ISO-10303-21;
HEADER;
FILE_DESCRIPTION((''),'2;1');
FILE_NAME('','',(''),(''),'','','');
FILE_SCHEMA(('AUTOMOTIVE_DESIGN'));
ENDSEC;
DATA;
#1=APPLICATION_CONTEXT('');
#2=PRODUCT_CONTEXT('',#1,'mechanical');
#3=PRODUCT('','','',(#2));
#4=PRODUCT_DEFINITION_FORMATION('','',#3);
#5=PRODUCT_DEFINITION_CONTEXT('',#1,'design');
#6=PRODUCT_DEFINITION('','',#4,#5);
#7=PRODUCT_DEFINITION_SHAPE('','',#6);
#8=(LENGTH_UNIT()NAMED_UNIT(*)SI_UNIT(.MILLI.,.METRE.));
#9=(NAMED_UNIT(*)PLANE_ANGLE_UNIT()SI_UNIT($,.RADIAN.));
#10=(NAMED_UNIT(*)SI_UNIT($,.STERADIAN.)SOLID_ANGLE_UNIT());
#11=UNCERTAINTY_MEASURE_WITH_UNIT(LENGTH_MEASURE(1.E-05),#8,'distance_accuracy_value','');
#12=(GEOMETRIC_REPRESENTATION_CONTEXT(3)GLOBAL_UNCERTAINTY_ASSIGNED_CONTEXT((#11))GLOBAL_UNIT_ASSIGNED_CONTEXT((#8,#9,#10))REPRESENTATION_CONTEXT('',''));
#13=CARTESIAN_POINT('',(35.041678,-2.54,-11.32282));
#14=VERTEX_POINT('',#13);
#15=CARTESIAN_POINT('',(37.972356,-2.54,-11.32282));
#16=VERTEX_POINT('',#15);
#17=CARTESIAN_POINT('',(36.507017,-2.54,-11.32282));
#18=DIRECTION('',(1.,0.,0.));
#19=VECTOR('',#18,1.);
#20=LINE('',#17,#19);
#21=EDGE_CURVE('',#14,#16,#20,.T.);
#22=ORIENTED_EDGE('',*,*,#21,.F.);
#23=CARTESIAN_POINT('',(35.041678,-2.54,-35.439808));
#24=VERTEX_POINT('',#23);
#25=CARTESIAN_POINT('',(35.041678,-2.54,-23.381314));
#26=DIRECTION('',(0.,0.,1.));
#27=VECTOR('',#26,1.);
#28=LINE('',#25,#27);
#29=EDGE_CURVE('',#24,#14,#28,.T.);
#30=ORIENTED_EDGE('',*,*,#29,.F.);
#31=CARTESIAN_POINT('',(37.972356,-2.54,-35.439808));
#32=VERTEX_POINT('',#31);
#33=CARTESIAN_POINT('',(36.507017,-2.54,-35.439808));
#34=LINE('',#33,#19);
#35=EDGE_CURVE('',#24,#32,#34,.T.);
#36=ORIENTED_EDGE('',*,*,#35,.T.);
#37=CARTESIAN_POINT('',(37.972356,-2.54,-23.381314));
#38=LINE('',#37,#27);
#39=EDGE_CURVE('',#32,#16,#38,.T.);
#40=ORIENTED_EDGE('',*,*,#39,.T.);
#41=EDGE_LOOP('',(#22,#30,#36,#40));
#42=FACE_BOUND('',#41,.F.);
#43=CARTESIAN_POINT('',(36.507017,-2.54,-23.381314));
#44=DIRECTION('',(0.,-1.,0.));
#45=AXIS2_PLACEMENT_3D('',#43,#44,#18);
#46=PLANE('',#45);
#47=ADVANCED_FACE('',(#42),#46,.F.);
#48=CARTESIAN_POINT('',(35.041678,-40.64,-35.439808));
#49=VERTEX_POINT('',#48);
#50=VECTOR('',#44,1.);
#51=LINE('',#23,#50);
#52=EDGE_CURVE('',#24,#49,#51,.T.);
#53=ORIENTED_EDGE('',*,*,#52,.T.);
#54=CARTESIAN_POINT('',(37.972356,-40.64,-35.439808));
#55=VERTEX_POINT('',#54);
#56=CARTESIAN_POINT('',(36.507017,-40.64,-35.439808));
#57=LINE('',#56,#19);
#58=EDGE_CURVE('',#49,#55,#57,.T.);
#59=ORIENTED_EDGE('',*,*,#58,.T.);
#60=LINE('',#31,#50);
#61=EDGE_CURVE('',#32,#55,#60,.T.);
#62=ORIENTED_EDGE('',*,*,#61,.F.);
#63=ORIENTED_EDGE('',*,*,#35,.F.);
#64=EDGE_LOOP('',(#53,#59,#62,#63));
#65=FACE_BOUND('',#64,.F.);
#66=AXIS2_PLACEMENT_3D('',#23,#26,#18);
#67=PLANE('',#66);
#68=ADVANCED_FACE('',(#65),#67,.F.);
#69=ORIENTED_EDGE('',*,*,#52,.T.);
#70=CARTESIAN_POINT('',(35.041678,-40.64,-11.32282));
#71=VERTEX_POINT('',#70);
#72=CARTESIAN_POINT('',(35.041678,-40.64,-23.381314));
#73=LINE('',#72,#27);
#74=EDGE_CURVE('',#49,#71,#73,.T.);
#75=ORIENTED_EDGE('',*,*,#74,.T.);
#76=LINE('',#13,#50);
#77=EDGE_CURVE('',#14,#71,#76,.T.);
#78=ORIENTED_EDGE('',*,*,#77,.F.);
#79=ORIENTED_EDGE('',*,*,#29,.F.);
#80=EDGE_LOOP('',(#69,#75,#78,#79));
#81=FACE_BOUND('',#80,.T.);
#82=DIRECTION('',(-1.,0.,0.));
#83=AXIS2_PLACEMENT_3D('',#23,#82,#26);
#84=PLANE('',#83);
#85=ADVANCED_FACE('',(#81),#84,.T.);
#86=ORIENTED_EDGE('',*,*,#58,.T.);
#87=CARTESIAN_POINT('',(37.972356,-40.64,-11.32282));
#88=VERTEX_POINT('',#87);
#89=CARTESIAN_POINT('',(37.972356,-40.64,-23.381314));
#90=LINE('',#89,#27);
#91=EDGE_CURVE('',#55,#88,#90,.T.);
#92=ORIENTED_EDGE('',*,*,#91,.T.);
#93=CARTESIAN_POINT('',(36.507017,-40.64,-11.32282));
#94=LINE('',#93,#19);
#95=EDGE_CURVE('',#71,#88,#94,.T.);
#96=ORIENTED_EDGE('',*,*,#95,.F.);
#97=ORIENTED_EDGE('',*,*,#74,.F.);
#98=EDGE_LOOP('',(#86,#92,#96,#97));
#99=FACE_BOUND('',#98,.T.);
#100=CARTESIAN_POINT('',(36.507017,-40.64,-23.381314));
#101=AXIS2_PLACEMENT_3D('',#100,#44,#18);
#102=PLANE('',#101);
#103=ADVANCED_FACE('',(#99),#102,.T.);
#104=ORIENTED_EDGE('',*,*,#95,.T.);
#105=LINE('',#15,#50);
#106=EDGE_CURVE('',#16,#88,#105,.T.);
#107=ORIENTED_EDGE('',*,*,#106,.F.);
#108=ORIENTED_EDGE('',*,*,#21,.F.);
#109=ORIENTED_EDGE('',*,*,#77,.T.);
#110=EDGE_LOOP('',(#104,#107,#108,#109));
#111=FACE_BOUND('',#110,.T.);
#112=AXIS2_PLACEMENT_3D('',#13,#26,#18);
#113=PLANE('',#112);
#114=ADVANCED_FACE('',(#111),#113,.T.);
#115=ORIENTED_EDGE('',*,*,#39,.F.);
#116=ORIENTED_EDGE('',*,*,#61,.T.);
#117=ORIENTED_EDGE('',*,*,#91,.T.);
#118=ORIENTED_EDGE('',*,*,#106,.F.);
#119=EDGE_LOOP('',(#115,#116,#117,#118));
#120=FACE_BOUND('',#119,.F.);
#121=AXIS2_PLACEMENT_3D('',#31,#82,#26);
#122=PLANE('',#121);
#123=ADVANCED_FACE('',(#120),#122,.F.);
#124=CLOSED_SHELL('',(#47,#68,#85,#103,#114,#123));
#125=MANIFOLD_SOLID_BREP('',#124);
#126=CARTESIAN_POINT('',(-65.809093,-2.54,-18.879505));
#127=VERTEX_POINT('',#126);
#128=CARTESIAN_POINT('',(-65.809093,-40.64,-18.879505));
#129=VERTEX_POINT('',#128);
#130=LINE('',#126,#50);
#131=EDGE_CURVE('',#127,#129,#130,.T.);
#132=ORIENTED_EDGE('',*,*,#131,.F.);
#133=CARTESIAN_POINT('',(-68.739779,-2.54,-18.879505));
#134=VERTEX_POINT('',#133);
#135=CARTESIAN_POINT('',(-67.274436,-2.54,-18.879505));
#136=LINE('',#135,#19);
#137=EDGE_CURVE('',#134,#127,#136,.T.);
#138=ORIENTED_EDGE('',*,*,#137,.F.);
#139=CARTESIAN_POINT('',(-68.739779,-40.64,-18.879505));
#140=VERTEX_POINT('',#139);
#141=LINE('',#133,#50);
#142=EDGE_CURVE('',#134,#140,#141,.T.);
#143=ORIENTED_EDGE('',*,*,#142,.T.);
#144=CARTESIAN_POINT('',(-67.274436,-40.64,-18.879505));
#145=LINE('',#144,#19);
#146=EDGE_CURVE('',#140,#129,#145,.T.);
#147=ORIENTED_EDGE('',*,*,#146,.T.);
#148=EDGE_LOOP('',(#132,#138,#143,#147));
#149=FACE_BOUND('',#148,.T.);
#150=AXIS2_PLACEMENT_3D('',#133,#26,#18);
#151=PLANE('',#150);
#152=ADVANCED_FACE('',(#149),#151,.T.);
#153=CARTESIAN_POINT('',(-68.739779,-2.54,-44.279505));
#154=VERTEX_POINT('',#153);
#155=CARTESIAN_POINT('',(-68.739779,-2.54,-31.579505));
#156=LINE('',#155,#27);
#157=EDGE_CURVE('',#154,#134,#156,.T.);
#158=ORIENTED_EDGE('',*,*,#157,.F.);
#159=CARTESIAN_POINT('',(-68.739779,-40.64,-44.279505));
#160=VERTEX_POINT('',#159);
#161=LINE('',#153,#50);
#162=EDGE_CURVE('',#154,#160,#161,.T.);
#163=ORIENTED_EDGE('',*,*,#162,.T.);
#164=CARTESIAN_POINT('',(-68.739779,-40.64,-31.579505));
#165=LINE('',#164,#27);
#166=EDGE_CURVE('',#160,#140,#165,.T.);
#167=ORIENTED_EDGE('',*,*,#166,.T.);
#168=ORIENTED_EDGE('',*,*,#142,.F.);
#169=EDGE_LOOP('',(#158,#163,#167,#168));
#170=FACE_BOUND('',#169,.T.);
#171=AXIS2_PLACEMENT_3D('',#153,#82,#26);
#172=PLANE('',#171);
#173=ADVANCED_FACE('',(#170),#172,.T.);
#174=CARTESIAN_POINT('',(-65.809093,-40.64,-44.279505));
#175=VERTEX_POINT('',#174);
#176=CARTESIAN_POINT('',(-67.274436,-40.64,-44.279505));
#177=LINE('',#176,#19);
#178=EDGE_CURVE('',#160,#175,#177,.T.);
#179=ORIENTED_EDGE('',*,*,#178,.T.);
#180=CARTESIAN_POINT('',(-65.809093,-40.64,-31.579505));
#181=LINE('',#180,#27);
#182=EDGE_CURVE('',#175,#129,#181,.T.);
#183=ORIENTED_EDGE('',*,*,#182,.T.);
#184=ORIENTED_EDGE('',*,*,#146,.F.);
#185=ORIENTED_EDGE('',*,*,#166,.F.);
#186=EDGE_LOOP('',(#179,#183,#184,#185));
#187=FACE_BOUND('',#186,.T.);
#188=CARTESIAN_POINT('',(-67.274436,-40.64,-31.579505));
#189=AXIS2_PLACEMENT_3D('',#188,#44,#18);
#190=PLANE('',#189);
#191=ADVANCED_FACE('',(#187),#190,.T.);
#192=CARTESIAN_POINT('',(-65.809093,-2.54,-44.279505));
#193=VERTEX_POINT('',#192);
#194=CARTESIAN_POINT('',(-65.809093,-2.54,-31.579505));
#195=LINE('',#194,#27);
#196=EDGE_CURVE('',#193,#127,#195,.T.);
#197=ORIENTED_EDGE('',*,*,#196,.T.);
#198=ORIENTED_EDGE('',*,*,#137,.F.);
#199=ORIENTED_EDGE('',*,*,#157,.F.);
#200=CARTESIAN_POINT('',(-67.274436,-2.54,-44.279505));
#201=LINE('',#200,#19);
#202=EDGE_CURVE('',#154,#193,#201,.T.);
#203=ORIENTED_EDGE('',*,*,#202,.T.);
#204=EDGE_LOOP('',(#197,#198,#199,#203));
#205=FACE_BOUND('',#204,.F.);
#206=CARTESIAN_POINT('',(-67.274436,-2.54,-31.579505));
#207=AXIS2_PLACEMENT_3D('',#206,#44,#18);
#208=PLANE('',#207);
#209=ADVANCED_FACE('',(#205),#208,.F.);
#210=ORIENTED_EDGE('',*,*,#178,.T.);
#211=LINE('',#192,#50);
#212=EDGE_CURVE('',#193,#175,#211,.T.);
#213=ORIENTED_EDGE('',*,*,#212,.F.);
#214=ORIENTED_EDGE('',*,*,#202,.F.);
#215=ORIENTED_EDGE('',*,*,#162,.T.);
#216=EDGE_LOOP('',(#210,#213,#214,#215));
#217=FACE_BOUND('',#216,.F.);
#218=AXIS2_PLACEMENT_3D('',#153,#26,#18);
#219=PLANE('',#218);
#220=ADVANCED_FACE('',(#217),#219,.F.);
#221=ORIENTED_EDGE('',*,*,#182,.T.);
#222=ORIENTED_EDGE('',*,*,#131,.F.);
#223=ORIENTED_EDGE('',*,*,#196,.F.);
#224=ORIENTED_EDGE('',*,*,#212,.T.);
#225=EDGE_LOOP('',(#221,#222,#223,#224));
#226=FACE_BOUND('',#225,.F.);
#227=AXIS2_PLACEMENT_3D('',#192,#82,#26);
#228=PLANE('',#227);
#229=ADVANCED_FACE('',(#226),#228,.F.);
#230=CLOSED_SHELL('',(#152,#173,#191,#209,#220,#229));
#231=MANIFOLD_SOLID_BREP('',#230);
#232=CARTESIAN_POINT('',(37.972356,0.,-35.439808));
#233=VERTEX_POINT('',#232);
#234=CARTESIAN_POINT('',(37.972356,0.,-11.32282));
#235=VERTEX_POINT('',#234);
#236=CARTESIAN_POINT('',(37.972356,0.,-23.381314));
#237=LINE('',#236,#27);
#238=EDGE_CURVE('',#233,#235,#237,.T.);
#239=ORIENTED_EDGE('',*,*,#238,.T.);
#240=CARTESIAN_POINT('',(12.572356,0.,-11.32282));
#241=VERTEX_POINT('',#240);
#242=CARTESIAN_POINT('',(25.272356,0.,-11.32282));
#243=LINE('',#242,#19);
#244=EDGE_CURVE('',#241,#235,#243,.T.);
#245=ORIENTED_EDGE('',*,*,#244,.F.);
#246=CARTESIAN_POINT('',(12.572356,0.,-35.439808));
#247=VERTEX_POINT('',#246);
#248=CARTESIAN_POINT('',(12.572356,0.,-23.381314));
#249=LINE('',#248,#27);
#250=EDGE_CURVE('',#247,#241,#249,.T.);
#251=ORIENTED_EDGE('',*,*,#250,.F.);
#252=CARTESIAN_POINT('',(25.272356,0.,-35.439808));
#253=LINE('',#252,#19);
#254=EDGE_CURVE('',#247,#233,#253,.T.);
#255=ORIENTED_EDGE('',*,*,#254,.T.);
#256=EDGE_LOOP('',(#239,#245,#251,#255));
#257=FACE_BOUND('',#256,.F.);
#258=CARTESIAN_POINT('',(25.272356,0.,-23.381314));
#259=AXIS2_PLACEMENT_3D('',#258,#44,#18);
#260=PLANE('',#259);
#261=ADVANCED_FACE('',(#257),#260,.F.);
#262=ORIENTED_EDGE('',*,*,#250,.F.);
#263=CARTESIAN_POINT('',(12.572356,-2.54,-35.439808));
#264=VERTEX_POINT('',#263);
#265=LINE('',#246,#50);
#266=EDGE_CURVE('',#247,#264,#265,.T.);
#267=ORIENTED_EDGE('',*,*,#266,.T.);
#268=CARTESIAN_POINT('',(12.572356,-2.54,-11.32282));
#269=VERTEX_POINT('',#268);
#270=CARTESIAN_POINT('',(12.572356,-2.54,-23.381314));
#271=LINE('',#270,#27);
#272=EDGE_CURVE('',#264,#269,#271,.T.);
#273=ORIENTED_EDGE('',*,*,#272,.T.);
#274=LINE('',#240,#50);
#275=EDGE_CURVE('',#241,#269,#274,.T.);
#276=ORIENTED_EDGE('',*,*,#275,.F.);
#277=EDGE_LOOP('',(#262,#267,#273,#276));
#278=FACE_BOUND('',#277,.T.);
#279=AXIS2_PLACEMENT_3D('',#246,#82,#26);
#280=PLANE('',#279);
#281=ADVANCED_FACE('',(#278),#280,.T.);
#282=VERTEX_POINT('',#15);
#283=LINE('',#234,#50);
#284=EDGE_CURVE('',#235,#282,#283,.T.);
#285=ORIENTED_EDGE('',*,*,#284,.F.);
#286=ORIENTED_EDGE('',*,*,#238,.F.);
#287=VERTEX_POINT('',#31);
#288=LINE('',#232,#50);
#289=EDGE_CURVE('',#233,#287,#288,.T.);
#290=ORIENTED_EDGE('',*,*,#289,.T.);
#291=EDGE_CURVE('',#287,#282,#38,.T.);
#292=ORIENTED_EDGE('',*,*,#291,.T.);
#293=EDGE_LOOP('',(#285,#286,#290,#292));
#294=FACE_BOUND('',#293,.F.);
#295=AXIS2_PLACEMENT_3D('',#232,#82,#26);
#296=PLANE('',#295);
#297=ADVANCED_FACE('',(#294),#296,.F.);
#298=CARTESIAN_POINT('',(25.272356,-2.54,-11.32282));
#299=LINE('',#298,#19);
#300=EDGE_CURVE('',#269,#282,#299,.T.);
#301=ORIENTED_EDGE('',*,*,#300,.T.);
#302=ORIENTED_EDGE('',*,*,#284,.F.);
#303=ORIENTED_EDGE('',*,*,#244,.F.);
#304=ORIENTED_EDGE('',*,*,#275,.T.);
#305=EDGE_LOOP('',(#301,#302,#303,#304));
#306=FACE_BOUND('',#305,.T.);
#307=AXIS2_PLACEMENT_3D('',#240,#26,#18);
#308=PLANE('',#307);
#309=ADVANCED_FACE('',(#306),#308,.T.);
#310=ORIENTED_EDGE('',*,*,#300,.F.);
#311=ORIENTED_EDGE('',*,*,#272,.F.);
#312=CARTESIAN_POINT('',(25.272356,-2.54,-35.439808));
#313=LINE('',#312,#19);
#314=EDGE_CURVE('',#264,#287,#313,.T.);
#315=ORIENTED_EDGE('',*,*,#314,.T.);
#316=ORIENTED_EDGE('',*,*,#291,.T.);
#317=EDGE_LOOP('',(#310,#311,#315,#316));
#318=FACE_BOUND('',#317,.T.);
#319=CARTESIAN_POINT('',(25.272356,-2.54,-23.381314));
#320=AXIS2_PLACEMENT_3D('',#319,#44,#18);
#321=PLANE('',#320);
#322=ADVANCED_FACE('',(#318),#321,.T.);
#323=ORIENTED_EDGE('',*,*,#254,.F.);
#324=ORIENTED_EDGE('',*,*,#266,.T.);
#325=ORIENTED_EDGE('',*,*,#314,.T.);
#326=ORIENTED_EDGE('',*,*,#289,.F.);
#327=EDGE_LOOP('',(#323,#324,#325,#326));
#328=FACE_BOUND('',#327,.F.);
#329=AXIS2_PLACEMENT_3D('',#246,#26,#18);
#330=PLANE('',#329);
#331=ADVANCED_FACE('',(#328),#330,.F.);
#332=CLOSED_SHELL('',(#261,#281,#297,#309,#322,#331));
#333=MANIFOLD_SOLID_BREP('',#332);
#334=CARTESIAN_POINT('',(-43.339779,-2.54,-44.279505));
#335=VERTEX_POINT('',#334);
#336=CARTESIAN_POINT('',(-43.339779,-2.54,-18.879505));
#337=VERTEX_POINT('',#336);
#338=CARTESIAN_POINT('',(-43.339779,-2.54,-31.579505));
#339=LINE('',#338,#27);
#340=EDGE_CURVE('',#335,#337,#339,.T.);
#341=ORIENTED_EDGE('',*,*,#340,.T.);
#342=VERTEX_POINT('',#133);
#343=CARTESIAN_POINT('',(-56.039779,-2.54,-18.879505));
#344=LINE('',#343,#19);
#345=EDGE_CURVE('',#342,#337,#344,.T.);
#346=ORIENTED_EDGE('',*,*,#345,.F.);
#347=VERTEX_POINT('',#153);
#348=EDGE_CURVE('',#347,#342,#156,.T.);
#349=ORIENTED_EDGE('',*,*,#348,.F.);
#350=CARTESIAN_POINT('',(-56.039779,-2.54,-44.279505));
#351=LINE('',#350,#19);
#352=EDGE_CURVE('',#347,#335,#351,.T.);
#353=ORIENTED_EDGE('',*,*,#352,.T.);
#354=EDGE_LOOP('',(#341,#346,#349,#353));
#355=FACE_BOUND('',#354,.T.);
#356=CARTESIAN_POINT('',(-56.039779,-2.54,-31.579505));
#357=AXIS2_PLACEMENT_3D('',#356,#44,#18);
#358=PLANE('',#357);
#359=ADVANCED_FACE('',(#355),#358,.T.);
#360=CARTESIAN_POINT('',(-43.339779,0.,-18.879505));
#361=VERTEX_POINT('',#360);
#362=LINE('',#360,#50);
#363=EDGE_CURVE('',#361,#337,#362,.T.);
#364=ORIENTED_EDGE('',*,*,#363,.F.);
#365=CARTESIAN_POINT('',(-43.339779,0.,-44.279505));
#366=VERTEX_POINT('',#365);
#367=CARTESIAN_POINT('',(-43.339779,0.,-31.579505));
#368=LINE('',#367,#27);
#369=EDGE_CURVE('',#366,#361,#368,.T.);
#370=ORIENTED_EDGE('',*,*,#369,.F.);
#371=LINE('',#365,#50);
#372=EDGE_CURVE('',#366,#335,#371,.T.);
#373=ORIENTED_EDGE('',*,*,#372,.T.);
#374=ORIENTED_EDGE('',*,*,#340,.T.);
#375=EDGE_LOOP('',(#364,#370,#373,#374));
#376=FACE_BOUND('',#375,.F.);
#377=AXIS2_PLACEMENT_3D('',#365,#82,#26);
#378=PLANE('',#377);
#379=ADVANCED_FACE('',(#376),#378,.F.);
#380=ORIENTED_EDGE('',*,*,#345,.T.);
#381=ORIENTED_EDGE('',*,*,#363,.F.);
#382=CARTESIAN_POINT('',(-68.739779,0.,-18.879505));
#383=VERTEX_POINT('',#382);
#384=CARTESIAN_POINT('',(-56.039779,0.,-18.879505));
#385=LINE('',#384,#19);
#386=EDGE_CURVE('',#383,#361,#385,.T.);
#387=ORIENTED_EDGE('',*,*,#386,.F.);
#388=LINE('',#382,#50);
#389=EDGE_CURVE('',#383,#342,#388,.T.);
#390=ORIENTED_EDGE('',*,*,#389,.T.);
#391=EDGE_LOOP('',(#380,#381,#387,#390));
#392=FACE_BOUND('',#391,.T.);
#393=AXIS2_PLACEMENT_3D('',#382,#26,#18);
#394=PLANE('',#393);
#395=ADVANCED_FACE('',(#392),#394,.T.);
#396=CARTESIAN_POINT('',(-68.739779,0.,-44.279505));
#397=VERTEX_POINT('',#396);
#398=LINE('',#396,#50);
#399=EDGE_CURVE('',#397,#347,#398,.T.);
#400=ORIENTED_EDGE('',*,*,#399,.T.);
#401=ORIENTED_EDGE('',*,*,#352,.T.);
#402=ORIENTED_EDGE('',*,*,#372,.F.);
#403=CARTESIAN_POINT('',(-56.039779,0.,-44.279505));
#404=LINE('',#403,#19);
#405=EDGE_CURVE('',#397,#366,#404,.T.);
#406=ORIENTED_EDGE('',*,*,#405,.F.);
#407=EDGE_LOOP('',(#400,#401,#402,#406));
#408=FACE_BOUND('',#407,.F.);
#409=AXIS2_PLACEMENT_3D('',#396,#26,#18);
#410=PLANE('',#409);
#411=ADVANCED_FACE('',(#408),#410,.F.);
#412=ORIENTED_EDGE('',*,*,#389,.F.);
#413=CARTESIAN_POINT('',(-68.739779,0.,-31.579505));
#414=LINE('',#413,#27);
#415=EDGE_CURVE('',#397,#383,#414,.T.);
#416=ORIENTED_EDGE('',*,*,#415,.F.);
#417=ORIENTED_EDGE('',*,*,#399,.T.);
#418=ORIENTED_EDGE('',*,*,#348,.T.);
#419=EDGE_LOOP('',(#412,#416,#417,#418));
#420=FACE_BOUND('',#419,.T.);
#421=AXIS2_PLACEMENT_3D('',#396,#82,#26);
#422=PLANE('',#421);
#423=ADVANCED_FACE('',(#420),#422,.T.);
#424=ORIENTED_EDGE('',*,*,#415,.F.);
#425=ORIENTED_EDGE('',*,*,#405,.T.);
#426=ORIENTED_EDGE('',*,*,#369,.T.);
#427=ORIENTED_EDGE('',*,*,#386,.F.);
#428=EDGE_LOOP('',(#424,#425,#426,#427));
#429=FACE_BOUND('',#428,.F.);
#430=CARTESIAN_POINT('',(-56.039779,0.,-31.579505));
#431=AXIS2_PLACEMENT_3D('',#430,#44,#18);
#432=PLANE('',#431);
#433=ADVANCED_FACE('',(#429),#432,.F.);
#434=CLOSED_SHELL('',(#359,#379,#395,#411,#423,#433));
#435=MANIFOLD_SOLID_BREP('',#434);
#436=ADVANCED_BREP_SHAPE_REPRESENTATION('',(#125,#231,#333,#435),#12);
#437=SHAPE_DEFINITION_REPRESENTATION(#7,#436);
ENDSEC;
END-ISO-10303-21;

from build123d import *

# Parameters (mm, degrees)
F0_W     = 25.4
F0_H     = 24.116988
F0_H_2   = 25.4
F1_DEPTH = 2.54
F2_W     = 2.930686
F2_H     = 25.4
F3_W     = 2.930678
F3_H     = 24.116988
F4_DEPTH = 38.1


with BuildPart() as f1:
    # F0 (on Front) → F1 (new body)
    with BuildSketch(Plane.XZ):
        with Locations((25.272356, -23.381314)):
            Rectangle(F0_W, F0_H)
        with Locations((-56.039779, -31.579505)):
            Rectangle(F0_W, F0_H_2)
    extrude(amount=F1_DEPTH)


with BuildPart() as f4:
    # F2 (on face) + F3 (on face) → F4 (new body)
    with BuildSketch(Plane.XZ.offset(2.54)):
        with Locations((-67.274436, -31.579505)):
            Rectangle(F2_W, F2_H)
    with BuildSketch(Plane.XZ.offset(2.54)):
        with Locations((36.507017, -23.381314)):
            Rectangle(F3_W, F3_H)
    extrude(amount=F4_DEPTH)


solid = Compound([f1.part, f4.part])
